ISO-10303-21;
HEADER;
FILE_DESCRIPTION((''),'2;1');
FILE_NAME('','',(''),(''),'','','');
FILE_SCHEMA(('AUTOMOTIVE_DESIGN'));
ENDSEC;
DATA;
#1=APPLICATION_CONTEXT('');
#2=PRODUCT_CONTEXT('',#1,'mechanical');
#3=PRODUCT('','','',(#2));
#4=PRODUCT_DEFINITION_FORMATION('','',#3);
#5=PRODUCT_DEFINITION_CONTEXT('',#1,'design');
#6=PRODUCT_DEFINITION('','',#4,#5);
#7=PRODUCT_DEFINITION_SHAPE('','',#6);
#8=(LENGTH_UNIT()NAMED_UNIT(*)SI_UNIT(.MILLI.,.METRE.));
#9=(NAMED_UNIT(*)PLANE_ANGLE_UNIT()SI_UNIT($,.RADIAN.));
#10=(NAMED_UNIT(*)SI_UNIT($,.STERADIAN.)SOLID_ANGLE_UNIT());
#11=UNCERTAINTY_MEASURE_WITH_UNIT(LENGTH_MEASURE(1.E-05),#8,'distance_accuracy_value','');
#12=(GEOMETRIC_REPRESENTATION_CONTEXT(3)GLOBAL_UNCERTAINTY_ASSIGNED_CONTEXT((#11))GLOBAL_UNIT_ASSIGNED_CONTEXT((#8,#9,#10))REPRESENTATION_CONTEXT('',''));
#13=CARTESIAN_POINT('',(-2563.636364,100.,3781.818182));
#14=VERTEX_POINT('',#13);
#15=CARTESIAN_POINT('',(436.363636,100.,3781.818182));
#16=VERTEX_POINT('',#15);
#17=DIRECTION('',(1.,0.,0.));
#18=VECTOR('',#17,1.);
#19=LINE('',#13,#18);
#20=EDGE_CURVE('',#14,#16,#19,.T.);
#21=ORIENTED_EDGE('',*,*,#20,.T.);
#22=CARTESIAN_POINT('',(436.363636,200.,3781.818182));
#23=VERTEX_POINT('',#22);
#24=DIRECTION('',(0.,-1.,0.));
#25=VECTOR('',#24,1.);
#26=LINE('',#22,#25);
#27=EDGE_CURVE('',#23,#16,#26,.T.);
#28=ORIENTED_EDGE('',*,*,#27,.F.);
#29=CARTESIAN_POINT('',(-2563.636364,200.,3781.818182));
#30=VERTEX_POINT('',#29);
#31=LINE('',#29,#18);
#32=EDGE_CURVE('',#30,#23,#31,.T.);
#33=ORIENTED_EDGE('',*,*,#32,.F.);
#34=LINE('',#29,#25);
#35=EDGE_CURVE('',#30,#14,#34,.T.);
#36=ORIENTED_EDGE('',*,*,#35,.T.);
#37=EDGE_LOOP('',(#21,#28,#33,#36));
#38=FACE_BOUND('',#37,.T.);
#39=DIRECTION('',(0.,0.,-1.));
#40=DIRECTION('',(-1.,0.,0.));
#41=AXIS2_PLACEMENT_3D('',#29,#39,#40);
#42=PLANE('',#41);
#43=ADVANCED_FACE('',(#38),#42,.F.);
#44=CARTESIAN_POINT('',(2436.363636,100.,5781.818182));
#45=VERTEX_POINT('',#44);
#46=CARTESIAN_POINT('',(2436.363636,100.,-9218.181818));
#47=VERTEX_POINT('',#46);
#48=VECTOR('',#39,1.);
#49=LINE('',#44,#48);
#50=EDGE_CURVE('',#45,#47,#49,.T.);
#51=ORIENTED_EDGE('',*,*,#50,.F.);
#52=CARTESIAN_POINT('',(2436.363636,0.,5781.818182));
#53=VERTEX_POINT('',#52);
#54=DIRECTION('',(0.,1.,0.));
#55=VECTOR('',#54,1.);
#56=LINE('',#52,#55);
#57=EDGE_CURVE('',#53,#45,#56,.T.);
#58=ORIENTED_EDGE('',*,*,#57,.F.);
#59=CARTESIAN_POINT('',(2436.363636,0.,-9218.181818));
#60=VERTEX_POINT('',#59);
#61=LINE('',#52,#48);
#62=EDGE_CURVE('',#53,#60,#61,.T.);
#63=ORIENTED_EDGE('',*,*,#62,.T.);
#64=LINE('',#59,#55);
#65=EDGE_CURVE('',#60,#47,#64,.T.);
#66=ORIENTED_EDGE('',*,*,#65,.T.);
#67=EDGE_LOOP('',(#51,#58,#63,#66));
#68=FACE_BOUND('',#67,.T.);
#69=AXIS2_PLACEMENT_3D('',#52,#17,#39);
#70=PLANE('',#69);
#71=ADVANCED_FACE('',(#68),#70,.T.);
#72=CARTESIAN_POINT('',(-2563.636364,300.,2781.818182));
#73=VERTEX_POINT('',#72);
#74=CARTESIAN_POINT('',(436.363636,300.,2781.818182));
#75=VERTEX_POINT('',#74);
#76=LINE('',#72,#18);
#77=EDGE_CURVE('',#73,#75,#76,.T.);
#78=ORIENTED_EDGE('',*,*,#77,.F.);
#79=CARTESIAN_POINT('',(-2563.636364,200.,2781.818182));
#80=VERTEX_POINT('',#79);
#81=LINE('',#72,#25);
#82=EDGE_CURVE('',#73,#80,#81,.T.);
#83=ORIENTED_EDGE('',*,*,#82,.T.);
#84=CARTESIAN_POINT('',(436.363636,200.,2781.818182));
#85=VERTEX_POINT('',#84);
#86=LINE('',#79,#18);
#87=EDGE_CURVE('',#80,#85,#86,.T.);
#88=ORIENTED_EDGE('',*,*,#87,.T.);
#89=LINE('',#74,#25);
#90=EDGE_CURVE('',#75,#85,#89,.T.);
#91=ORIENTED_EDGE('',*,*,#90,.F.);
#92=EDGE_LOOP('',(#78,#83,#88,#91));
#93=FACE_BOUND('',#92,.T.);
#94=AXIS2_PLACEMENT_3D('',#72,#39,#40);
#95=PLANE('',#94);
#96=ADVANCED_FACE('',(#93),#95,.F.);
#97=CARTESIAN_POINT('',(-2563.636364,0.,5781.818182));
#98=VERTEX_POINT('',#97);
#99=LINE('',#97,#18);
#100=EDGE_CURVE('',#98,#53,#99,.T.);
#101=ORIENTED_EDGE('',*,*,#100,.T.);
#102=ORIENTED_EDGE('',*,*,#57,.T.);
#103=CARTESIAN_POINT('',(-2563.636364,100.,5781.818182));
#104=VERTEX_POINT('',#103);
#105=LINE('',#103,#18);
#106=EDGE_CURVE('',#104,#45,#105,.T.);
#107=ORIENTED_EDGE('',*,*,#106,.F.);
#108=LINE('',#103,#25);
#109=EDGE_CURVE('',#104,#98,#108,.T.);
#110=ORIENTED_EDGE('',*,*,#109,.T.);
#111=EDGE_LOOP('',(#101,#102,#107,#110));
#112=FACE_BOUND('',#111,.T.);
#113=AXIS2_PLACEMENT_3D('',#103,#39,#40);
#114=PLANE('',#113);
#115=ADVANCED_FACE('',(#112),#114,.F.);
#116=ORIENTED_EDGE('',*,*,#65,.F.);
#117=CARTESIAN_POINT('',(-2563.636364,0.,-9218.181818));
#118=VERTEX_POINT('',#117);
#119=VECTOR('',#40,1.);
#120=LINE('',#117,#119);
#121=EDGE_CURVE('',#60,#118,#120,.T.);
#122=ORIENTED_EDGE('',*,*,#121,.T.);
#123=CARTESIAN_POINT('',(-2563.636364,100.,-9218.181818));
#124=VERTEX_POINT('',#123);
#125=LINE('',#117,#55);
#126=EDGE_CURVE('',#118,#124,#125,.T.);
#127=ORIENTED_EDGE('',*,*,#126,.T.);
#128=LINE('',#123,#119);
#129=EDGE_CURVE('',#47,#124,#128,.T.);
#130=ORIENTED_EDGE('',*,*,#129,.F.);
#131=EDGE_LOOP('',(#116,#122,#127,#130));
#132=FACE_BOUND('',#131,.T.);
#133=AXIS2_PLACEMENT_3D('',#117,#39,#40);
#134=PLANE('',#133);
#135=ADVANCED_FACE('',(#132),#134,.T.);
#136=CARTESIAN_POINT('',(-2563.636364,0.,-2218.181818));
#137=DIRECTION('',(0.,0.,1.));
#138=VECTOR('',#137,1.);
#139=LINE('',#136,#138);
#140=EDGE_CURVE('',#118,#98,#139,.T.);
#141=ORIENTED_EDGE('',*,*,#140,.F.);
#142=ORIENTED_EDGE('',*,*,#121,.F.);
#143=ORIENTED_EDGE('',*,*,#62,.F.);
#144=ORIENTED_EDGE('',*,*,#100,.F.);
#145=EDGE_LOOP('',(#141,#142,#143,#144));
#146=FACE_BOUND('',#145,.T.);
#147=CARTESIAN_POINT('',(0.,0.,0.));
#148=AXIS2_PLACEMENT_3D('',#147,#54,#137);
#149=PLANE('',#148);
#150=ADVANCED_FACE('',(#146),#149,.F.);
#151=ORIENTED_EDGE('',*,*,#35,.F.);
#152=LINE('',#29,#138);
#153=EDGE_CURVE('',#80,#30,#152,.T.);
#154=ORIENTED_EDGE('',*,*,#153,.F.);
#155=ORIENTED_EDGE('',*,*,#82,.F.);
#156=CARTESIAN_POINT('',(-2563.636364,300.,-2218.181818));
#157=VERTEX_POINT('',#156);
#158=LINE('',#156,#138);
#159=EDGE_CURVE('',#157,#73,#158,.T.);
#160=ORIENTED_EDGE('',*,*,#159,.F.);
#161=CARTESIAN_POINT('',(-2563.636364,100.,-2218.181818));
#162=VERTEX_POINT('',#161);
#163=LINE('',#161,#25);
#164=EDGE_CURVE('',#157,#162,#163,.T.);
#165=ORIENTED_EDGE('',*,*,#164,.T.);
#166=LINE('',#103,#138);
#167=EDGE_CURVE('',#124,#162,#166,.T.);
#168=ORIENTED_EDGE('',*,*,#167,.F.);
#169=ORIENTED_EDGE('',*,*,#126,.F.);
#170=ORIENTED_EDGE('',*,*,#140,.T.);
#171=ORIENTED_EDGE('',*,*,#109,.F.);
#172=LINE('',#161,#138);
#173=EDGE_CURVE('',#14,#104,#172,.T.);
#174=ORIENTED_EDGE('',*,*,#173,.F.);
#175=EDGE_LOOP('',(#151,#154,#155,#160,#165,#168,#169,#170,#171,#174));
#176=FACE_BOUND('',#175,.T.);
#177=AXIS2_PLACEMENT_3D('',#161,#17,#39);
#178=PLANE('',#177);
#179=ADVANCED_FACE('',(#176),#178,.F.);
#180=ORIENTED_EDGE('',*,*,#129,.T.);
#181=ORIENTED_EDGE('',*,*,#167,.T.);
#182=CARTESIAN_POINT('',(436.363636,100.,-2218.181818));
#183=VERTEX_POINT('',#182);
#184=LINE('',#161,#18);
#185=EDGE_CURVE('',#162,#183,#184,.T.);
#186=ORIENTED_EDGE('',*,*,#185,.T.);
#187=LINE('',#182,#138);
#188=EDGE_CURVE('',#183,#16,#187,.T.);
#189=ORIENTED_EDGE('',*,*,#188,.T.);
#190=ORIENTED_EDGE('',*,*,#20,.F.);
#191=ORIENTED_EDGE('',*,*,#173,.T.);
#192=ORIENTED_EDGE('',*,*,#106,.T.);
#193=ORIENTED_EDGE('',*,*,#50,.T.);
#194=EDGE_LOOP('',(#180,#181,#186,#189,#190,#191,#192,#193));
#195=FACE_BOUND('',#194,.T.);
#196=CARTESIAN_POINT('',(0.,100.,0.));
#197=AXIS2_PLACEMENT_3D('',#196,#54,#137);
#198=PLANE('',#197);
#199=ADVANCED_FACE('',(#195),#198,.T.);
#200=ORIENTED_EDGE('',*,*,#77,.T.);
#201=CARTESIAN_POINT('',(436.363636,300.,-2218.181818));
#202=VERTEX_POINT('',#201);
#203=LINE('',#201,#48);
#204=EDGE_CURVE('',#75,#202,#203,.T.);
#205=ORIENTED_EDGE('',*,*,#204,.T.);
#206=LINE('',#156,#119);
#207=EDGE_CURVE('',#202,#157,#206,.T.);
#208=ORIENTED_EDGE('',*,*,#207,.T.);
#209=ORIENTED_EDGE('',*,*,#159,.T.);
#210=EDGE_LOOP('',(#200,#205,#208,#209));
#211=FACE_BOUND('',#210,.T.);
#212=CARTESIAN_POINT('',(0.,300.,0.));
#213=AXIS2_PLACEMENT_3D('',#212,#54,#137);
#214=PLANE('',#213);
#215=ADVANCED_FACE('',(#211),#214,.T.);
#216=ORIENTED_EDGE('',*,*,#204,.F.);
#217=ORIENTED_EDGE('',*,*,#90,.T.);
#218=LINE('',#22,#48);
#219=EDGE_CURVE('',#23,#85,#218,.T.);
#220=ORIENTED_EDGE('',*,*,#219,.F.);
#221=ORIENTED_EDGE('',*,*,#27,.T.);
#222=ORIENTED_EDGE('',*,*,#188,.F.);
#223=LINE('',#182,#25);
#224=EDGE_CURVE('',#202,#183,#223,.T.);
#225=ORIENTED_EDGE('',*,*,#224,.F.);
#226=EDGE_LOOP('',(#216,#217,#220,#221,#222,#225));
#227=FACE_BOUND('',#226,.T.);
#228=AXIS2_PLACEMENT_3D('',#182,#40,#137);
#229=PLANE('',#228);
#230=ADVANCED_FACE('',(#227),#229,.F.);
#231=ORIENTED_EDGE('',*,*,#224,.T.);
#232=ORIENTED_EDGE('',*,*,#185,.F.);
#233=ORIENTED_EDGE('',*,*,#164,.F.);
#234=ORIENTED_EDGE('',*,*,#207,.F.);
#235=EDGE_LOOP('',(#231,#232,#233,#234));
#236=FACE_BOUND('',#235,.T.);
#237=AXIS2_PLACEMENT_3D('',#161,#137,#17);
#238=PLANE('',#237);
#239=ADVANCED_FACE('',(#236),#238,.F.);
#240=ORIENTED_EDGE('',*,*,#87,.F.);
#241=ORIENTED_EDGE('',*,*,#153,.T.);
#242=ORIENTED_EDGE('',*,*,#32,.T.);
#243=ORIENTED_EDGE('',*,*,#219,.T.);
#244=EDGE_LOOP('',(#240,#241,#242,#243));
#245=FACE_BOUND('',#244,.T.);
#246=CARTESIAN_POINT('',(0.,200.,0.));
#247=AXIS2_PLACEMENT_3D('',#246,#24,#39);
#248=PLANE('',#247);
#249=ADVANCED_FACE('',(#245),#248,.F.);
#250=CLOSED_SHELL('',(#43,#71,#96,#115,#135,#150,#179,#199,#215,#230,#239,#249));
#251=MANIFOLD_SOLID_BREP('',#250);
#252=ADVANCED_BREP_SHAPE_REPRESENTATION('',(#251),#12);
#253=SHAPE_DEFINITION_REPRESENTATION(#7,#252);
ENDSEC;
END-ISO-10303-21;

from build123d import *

# Parameters (mm, degrees)
CROQUIS1_W              = 3000
CROQUIS1_H              = 8000
SALIENTE_EXTRUIR1_DEPTH = 100
CROQUIS2_W              = 3000
CROQUIS2_H              = 6000
SALIENTE_EXTRUIR2_DEPTH = 100
CROQUIS3_W              = 3000
CROQUIS3_H              = 5000
SALIENTE_EXTRUIR3_DEPTH = 100
CROQUIS5_W              = 5000
CROQUIS5_H              = 15000
SALIENTE_EXTRUIR4_DEPTH = 100


with BuildPart() as part:
    # Croquis1 → Saliente-Extruir1 (new body)
    with BuildSketch(Plane(origin=(0, 0, 0), x_dir=(1, 0, 0), z_dir=(0, 1, 0))):
        with Locations((-1063.636363636, -1781.818181818)):
            Rectangle(CROQUIS1_W, CROQUIS1_H)
    extrude(amount=SALIENTE_EXTRUIR1_DEPTH)

    # Croquis2 → Saliente-Extruir2 (add)
    with BuildSketch(Plane(origin=(0, 100, 0), x_dir=(1, 0, 0), z_dir=(0, 1, 0))):
        with Locations((-1063.636363636, -781.818181818)):
            Rectangle(CROQUIS2_W, CROQUIS2_H)
    extrude(amount=SALIENTE_EXTRUIR2_DEPTH)

    # Croquis3 → Saliente-Extruir3 (add)
    with BuildSketch(Plane(origin=(0, 200, 0), x_dir=(1, 0, 0), z_dir=(0, 1, 0))):
        with Locations((-1063.636363636, -281.818181818)):
            Rectangle(CROQUIS3_W, CROQUIS3_H)
    extrude(amount=SALIENTE_EXTRUIR3_DEPTH)

    # Croquis5 → Saliente-Extruir4 (add)
    with BuildSketch(Plane(origin=(0, 100, 0), x_dir=(1, 0, 0), z_dir=(0, 1, 0))):
        with Locations((-63.636363636, 1718.181818182)):
            Rectangle(CROQUIS5_W, CROQUIS5_H)
    extrude(amount=-SALIENTE_EXTRUIR4_DEPTH)


solid = part.part
